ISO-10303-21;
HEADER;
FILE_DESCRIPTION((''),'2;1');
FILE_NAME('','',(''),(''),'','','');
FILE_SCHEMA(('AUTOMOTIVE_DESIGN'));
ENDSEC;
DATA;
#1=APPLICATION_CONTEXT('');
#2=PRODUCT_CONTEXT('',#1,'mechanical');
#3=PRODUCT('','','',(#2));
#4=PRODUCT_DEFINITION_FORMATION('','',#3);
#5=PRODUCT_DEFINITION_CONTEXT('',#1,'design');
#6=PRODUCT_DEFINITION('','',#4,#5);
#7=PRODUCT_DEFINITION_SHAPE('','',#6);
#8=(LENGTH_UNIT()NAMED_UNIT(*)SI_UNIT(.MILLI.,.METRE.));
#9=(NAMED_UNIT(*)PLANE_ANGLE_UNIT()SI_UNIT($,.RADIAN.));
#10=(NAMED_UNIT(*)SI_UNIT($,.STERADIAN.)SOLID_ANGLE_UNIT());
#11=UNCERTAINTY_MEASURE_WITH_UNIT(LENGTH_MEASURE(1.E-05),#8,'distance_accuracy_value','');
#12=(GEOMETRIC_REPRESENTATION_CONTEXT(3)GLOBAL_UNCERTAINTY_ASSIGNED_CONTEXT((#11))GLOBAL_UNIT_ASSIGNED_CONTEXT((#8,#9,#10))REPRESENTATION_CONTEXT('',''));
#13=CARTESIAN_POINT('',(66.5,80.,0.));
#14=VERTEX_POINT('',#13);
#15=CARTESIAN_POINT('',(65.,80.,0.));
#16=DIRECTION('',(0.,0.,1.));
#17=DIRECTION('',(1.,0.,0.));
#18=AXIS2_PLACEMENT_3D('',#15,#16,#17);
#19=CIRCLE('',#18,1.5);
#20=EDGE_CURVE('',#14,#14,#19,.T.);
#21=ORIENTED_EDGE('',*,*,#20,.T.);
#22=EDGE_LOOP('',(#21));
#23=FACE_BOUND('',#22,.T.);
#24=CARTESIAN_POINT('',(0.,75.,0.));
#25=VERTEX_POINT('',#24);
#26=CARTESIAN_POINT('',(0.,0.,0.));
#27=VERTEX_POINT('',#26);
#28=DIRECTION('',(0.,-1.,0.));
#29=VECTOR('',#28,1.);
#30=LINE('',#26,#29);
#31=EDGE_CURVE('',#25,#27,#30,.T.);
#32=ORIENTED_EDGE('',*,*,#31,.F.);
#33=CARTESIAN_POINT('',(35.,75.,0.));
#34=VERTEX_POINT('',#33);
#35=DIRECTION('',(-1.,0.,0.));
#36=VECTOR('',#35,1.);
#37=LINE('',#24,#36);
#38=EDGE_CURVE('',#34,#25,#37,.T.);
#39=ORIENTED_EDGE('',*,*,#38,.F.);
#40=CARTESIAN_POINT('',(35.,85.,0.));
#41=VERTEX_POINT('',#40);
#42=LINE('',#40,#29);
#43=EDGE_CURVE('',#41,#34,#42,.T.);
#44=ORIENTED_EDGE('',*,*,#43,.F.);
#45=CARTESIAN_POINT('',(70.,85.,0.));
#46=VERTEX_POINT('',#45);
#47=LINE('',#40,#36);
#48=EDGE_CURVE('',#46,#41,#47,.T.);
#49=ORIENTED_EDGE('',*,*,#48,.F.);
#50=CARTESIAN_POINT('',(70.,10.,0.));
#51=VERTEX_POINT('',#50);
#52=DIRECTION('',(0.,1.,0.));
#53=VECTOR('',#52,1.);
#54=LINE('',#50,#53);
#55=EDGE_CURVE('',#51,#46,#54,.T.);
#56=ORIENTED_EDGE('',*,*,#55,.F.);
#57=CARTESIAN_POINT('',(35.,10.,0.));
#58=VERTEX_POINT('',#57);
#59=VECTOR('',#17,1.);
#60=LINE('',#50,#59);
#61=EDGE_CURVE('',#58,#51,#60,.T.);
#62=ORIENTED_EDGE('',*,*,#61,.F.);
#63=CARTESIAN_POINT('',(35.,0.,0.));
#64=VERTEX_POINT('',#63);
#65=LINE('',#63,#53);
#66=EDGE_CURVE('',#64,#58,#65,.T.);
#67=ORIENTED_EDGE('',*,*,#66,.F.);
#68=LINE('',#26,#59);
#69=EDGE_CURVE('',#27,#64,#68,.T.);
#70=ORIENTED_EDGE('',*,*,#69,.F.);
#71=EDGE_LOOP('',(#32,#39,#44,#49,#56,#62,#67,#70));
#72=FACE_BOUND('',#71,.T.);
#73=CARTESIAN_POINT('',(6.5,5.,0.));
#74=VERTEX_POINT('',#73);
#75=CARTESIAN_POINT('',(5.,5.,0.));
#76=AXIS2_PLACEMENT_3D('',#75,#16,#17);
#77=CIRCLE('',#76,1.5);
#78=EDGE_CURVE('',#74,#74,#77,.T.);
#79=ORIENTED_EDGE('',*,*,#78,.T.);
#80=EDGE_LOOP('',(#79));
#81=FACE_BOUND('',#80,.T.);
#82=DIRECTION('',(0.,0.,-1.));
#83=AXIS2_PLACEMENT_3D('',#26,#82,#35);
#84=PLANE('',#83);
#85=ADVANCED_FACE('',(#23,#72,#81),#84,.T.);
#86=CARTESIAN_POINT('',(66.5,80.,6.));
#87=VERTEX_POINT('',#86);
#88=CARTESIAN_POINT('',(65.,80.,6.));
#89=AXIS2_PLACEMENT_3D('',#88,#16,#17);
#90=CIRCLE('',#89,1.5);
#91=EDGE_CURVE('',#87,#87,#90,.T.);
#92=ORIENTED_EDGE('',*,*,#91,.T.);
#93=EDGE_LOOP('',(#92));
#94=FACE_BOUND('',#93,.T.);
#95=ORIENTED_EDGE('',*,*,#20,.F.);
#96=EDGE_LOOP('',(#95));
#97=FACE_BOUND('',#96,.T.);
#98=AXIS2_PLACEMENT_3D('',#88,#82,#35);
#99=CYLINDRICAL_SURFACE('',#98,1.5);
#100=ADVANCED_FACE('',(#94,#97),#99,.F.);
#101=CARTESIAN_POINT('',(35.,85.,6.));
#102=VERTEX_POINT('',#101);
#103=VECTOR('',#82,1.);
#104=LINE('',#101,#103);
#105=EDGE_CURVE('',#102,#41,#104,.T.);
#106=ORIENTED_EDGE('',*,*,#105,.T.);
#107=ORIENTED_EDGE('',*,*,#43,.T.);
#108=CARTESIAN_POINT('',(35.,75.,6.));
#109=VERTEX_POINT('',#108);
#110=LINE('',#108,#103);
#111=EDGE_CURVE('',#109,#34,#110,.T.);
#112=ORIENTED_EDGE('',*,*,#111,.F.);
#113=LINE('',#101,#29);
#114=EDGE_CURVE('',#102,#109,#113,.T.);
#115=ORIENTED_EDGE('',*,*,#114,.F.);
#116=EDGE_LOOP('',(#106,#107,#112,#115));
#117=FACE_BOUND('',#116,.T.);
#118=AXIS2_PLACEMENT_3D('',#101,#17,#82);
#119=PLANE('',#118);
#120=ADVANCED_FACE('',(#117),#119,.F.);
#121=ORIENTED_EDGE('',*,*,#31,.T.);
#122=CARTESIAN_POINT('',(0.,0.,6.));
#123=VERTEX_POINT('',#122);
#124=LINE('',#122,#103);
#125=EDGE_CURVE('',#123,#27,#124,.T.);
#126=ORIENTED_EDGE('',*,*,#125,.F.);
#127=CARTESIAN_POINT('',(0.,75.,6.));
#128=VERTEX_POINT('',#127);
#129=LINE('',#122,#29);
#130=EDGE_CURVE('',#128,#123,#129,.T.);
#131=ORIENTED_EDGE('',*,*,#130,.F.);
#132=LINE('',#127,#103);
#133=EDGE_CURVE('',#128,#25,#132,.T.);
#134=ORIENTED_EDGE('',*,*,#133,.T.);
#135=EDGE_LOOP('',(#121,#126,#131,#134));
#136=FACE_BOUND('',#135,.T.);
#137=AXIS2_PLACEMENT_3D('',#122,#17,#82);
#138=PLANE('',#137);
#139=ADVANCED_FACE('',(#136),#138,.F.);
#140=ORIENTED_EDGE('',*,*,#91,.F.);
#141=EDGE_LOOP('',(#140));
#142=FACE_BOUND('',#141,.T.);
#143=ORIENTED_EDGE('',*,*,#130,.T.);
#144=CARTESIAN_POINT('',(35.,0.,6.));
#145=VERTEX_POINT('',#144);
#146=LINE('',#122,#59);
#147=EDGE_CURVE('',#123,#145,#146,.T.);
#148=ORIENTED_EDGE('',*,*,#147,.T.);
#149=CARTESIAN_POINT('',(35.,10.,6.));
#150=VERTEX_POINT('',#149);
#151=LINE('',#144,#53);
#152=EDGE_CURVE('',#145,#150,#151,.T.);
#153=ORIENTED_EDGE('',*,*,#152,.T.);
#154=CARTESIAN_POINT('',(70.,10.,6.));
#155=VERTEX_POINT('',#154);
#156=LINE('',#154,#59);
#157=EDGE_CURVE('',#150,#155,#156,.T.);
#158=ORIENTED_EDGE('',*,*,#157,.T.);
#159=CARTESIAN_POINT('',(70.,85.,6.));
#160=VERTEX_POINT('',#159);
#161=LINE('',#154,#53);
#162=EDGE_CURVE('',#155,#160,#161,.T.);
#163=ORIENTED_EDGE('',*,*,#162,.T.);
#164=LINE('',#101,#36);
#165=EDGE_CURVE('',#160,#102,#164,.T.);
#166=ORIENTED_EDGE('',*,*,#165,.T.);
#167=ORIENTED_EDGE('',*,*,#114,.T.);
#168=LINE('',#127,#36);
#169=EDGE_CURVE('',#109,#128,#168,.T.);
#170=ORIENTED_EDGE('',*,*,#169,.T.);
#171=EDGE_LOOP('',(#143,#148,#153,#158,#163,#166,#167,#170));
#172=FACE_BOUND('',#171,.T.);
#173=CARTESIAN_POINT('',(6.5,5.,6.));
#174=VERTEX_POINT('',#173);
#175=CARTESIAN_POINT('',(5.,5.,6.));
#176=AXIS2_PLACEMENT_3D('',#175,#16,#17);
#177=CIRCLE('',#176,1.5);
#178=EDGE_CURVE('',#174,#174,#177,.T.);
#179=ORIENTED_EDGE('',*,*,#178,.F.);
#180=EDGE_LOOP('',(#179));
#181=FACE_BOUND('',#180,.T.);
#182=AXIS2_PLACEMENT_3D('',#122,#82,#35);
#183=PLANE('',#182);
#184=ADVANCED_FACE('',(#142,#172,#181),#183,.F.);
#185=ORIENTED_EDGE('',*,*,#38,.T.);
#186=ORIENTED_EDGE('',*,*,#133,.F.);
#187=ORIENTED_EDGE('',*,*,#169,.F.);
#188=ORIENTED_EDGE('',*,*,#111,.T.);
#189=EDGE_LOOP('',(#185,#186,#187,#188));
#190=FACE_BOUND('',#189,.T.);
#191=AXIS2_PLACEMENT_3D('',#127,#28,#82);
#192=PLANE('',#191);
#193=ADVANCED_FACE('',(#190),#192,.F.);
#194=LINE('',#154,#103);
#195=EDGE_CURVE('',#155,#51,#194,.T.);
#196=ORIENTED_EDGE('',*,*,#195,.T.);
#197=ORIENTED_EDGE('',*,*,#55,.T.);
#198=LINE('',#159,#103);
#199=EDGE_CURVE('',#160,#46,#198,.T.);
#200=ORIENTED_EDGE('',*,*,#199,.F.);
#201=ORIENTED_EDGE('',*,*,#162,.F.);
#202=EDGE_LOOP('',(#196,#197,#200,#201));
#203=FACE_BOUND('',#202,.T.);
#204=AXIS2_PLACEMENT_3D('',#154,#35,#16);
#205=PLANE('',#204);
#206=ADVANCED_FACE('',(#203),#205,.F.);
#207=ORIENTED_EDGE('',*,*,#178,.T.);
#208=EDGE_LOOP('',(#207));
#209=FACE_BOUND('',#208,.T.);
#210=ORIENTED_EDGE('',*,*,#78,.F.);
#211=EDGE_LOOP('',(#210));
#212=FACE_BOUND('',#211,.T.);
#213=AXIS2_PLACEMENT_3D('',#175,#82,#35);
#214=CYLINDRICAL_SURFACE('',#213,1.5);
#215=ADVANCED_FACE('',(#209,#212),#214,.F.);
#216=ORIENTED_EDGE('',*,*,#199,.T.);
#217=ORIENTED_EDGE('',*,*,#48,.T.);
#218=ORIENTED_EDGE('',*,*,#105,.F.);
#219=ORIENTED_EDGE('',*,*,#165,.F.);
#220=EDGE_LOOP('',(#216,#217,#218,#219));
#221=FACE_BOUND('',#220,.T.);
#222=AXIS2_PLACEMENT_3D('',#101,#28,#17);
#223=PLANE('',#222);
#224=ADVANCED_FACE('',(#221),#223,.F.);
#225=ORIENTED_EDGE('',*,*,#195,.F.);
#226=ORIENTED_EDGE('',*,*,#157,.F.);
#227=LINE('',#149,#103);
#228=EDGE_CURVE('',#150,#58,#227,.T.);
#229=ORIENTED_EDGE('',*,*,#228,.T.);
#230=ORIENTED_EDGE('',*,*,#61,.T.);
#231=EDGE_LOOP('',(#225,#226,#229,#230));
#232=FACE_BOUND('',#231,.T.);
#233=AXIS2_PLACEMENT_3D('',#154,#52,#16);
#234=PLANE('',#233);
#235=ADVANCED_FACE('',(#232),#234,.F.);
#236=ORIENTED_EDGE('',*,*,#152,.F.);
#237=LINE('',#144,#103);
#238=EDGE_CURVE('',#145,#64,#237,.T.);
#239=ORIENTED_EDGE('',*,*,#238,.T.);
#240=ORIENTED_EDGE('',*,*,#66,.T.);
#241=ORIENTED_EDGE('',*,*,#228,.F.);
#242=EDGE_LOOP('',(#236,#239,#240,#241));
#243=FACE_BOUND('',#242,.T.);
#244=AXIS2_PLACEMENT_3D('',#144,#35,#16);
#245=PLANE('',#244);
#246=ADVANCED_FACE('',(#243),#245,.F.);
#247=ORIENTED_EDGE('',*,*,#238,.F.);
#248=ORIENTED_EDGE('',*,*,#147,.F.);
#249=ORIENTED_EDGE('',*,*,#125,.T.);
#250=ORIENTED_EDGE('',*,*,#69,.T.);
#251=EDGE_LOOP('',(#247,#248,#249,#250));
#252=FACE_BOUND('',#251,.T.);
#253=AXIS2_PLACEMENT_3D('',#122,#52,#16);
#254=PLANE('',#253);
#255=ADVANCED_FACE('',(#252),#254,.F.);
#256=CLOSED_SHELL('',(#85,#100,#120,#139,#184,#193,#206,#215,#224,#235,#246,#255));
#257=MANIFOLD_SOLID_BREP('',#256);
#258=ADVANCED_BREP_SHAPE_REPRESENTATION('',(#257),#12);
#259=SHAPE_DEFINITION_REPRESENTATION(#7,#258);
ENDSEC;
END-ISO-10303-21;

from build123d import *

# Parameters (mm, degrees)
SKETCH1_R           = 1.5
BOSS_EXTRUDE1_DEPTH = 6


with BuildPart() as part:
    # Sketch1 → Boss-Extrude1 (new body)
    with BuildSketch(Plane.XY):
        Polygon((0, 0), (35, 0), (35, 10), (70, 10), (70, 85), (35, 85), (35, 75), (0, 75), align=None)
        with Locations((65, 80)):
            Circle(SKETCH1_R, mode=Mode.SUBTRACT)
        with Locations((5, 5)):
            Circle(SKETCH1_R, mode=Mode.SUBTRACT)
    extrude(amount=BOSS_EXTRUDE1_DEPTH)


solid = part.part
